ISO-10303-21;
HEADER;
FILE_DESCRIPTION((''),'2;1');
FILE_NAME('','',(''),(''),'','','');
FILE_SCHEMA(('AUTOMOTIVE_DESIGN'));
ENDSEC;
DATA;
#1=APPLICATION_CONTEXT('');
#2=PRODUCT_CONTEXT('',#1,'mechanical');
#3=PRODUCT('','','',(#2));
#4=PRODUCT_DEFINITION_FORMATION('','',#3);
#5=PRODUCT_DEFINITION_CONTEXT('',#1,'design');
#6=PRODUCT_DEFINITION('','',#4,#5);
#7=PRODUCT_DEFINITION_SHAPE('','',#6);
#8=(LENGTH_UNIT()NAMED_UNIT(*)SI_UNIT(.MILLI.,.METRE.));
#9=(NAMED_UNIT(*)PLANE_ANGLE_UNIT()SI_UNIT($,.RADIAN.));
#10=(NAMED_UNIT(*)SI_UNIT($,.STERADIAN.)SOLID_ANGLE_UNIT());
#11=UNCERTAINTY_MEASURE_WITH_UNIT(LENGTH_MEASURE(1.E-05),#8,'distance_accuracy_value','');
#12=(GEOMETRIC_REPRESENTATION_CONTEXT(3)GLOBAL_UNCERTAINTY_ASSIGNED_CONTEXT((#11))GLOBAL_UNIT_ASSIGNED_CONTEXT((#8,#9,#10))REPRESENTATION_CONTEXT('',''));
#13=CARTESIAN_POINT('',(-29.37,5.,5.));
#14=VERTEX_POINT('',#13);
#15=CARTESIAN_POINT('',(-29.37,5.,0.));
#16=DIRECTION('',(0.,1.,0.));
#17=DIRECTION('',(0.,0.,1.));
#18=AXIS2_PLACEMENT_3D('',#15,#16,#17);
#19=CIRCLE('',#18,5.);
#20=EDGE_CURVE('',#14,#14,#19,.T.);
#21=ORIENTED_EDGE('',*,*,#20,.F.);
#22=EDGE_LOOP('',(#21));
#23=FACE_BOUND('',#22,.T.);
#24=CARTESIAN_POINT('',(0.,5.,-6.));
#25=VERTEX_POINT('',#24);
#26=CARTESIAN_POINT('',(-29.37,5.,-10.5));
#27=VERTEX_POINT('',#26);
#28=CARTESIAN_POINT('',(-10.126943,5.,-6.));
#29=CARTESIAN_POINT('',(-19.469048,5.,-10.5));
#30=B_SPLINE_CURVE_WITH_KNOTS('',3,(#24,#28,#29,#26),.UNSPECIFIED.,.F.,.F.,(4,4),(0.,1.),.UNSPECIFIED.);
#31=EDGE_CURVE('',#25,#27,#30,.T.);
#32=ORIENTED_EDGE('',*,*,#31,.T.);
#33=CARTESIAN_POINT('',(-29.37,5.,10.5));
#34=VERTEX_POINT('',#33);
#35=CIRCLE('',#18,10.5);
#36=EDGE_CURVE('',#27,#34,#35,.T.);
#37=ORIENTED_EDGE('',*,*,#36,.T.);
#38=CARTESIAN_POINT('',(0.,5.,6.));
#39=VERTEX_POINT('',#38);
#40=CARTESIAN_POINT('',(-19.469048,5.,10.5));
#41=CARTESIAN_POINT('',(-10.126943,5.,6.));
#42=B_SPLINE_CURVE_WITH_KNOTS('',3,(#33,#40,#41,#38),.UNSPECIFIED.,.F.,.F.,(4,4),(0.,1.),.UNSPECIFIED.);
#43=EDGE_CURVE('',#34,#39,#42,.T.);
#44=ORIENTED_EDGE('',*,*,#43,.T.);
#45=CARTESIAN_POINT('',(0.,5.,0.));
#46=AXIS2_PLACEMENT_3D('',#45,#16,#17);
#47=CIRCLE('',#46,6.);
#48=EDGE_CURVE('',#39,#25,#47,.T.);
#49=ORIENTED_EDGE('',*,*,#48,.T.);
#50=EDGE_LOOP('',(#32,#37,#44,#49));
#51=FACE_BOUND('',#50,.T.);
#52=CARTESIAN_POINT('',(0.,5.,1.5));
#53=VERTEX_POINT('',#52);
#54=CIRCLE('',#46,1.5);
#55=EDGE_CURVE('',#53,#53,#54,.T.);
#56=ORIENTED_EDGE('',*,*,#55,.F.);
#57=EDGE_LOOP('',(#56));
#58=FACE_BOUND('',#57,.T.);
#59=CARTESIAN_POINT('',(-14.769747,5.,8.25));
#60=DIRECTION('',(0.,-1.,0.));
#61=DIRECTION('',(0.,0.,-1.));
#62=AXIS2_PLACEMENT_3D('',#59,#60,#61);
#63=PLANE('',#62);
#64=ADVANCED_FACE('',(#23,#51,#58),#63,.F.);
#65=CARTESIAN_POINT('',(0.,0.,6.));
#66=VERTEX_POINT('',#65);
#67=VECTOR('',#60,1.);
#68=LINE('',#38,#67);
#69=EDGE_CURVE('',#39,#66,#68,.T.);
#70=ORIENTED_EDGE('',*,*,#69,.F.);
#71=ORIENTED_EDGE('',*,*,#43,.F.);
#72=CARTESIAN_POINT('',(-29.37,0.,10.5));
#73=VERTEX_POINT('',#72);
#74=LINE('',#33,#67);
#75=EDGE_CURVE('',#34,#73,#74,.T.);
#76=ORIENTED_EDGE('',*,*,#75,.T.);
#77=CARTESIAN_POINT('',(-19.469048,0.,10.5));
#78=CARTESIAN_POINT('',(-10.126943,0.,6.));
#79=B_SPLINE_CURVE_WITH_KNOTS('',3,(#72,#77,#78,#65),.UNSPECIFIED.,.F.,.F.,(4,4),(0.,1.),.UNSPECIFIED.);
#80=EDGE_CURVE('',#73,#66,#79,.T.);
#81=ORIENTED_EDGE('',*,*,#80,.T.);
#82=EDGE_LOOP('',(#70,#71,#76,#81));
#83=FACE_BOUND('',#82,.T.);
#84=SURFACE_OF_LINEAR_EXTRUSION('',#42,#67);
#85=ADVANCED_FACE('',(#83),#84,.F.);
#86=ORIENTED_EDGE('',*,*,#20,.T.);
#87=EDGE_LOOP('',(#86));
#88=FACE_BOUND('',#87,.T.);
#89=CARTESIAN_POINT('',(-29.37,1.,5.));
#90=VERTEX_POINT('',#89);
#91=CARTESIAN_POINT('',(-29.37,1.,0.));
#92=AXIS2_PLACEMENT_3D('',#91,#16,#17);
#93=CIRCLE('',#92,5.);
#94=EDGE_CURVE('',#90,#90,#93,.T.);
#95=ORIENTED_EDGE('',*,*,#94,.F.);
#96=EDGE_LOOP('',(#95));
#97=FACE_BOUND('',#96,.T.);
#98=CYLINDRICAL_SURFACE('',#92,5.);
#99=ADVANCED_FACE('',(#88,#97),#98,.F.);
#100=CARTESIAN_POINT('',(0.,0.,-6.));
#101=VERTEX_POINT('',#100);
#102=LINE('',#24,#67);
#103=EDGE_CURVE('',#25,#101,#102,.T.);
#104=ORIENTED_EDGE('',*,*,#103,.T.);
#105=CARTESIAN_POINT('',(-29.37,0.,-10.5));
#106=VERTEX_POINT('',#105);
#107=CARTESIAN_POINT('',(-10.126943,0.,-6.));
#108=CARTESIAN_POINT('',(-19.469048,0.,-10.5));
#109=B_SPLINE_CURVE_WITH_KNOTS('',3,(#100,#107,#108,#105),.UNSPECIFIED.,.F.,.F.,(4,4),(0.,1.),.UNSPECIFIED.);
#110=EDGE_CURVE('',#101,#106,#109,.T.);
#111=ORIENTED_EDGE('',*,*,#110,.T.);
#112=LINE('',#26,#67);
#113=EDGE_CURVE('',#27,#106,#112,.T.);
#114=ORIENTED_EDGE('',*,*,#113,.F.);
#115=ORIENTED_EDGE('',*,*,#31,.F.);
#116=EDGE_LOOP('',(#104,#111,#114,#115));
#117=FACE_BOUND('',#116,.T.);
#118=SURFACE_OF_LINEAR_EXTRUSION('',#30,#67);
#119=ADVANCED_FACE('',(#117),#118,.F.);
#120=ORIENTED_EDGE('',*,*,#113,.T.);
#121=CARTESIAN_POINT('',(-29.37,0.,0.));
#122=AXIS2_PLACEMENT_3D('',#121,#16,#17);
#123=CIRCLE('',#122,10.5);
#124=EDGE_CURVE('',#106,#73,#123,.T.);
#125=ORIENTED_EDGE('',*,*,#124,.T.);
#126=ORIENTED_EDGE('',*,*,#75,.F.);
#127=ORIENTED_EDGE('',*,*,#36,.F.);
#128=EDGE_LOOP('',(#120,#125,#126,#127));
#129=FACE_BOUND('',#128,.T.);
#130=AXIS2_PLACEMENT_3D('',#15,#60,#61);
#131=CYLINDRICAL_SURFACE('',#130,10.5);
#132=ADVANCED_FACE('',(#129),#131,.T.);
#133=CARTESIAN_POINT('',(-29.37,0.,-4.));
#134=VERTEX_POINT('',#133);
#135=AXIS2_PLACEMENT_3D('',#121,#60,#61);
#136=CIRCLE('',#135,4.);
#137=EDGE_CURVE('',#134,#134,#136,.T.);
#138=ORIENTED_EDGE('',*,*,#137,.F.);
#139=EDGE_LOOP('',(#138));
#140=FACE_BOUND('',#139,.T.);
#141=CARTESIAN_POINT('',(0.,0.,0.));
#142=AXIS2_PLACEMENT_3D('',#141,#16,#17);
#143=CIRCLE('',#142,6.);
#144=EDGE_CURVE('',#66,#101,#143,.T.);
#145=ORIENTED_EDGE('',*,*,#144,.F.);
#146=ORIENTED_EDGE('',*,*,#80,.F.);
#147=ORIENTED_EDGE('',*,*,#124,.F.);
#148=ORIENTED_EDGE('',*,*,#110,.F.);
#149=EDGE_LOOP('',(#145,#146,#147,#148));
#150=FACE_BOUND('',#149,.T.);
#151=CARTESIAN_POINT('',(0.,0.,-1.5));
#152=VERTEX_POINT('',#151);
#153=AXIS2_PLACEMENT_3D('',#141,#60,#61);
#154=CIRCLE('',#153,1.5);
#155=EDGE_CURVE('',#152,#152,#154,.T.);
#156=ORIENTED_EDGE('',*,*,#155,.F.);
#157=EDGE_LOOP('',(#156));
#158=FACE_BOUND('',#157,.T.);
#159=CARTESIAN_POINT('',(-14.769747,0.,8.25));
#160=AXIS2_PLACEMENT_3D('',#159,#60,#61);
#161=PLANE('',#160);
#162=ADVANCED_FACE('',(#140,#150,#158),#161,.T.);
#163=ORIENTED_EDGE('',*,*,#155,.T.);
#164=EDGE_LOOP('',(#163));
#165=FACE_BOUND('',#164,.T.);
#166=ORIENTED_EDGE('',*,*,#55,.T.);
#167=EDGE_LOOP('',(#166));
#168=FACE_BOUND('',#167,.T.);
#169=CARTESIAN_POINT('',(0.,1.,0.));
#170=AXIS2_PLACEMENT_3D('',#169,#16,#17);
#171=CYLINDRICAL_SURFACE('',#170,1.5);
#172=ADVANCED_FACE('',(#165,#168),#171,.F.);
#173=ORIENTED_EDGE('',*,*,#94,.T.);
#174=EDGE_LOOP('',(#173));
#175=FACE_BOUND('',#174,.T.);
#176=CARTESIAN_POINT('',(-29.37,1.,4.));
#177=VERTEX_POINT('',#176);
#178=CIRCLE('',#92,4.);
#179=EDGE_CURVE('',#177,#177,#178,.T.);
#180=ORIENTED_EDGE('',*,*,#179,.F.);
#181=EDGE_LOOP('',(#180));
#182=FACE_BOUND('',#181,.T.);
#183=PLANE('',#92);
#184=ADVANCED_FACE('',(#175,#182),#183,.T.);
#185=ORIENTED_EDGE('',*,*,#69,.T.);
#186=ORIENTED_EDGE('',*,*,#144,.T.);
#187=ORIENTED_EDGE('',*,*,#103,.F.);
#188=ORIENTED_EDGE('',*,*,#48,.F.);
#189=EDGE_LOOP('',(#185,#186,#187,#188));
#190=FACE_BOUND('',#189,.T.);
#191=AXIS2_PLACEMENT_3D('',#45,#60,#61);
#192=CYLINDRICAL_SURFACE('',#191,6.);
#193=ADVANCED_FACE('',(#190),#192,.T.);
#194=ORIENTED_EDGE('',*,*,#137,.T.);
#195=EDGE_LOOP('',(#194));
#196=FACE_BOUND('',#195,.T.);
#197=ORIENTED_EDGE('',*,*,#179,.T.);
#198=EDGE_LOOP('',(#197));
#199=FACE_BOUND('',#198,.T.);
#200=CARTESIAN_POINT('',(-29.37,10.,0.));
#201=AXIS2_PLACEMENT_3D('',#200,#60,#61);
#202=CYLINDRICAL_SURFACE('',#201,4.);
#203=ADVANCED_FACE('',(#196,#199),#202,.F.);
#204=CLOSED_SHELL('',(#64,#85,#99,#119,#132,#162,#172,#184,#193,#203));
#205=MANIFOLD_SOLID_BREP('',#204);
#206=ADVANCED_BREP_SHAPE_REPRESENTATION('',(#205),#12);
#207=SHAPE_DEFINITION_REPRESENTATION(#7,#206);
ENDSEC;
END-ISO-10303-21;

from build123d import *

# Parameters (mm, degrees)
BOSS_EXTRUDE1_DEPTH = 5
SKETCH2_R           = 1.5
SKETCH2_R_2         = 5
CUT_EXTRUDE1_DEPTH  = 4
SKETCH3_R           = 4
CUT_EXTRUDE2_DEPTH  = 10
CUT_EXTRUDE3_START  = -10
SKETCH4_R           = 1.5
CUT_EXTRUDE3_DEPTH  = 10


with BuildPart() as part:
    # Sketch1 → Boss-Extrude1 (new body)
    with BuildSketch(Plane(origin=(0, 0, 0), x_dir=(1, 0, 0), z_dir=(0, 1, 0))):
        with BuildLine():
            ThreePointArc((0, -6), (6, 0), (0, 6))
            add(Edge.make_bspline(
                [(-29.37, 10.5), (-19.469048306, 10.5), (-10.126942608, 6), (0, 6)],
                knots=[0, 0, 0, 0, 1, 1, 1, 1], degree=3))
            ThreePointArc((-29.37, 10.5), (-39.87, 0), (-29.37, -10.5))
            add(Edge.make_bspline(
                [(-29.37, -10.5), (-19.469048306, -10.5), (-10.126942608, -6), (0, -6)],
                knots=[0, 0, 0, 0, 1, 1, 1, 1], degree=3))
        make_face()
    extrude(amount=BOSS_EXTRUDE1_DEPTH)

    # Sketch2 → Cut-Extrude1 (cut)
    with BuildSketch(Plane(origin=(0, 5, 0), x_dir=(1, 0, 0), z_dir=(0, 1, 0))):
        with Locations(Location((0, 0, 0), (0, 0, 270))):
            Circle(SKETCH2_R)
        with Locations(Location((-29.37, 0, 0), (0, 0, 270))):
            Circle(SKETCH2_R_2)
    extrude(amount=-CUT_EXTRUDE1_DEPTH, mode=Mode.SUBTRACT)

    # Sketch3 → Cut-Extrude2 (cut)
    with BuildSketch(Plane.XZ):
        with Locations(Location((-29.37, 0, 0), (0, 0, 270))):
            Circle(SKETCH3_R)
    extrude(amount=-CUT_EXTRUDE2_DEPTH, mode=Mode.SUBTRACT)

    # Sketch4 → Cut-Extrude3 (cut)
    with BuildSketch(Plane.XZ.offset(CUT_EXTRUDE3_START)):
        with Locations(Location((0, 0, 0), (0, 0, 90))):
            Circle(SKETCH4_R)
    extrude(amount=CUT_EXTRUDE3_DEPTH, mode=Mode.SUBTRACT)


solid = part.part
